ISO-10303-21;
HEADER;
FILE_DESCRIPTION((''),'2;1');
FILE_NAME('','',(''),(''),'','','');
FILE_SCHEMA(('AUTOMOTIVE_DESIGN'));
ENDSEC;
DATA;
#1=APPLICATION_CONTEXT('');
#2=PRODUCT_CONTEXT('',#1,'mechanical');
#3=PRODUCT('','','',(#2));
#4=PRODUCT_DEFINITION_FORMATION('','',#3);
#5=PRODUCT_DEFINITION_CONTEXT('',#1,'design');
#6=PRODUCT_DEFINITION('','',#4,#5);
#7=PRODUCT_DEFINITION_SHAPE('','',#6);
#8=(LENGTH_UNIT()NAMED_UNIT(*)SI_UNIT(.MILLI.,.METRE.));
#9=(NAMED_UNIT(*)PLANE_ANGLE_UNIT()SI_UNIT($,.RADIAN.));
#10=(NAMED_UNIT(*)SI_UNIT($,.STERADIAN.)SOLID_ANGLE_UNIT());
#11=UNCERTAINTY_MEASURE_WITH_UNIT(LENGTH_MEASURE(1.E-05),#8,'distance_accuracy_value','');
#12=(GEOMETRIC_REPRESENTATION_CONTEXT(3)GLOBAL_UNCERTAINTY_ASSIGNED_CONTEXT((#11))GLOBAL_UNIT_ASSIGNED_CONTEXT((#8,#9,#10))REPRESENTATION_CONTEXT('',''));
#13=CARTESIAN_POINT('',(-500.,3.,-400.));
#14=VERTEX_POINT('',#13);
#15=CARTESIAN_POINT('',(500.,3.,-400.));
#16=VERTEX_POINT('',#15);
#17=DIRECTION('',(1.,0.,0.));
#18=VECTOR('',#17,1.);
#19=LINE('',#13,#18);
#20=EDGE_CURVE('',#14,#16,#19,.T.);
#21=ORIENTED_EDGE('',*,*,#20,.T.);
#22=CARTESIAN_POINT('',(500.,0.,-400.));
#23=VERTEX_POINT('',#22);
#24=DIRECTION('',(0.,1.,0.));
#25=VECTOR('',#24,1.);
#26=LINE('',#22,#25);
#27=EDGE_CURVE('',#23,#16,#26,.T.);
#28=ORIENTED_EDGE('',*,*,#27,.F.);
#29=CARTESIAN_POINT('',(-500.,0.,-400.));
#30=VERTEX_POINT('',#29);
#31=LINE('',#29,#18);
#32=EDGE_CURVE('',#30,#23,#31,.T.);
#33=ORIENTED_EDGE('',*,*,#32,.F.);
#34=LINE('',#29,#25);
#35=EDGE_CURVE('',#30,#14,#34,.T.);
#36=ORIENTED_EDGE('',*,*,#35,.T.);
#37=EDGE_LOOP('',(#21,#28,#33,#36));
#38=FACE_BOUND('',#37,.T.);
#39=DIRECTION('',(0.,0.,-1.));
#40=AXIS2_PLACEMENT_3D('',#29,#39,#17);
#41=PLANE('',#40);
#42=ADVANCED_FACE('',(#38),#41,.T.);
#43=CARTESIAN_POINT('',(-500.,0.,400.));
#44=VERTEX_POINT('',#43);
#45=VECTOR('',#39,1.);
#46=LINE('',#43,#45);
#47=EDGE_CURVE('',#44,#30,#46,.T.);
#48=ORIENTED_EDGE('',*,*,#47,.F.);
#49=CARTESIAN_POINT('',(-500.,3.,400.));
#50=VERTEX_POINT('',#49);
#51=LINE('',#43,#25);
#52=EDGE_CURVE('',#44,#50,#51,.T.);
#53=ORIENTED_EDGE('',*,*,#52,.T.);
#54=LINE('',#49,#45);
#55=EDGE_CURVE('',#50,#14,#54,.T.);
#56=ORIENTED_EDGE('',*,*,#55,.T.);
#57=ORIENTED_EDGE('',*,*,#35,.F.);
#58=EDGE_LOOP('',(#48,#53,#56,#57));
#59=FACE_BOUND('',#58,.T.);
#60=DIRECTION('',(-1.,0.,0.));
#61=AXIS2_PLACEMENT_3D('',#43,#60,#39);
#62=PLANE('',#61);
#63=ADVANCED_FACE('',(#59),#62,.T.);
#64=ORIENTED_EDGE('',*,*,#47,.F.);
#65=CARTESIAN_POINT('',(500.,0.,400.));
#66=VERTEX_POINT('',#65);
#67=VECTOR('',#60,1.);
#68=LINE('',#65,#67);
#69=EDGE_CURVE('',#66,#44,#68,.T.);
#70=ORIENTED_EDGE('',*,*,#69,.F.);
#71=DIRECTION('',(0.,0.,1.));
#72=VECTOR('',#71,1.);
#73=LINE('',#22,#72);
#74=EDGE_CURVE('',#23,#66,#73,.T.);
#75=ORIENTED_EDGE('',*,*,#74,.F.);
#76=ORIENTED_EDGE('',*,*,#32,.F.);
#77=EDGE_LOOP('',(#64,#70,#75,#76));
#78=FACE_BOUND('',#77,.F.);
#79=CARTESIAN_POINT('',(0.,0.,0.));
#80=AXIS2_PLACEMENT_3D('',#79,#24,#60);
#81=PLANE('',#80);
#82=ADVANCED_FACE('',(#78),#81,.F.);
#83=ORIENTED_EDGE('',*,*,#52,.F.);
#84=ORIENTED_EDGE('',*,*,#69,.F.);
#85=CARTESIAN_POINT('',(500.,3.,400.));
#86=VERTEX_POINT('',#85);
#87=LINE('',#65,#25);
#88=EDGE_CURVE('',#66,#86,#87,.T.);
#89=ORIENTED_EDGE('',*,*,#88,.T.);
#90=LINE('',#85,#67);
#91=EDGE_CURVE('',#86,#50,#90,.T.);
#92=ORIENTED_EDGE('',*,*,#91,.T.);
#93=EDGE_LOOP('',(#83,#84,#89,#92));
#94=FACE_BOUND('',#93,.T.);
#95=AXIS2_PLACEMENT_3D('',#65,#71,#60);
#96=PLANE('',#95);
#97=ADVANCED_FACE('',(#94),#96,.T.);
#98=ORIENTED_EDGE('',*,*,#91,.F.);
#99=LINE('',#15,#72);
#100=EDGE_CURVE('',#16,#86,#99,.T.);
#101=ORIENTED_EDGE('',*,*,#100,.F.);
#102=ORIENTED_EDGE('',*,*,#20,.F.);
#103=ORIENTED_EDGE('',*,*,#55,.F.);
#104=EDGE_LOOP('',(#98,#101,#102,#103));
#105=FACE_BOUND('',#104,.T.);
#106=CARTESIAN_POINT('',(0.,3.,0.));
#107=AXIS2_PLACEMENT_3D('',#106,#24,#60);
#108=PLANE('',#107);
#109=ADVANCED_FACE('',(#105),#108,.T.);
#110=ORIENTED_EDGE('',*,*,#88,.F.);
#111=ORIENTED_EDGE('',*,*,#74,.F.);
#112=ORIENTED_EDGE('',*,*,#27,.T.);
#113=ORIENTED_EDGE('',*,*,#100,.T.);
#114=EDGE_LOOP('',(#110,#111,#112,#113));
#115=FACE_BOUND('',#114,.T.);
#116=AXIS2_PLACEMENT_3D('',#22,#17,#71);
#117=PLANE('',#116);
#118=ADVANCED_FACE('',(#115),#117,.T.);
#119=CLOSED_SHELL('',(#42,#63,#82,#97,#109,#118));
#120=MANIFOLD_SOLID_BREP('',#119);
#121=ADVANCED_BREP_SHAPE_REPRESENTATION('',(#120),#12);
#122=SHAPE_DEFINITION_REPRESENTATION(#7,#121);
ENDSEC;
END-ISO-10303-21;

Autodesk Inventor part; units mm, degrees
ref_plane "YZ Plane" through (0, 0, 0) normal (1, 0, 0) x (0, 1, 0)
ref_plane "XZ Plane" through (0, 0, 0) normal (0, 1, 0) x (-1, 0, 0)
ref_plane "XY Plane" through (0, 0, 0) normal (0, 0, 1) x (1, 0, 0)
sketch "Szkic1" plane through (0, 0, 0) normal (0, 1, 0) x (-1, 0, 0)
  line L0 (-500, 400) -> (500, 400)
  line L1 (500, 400) -> (500, -400)
  line L2 (500, -400) -> (-500, -400)
  line L3 (-500, -400) -> (-500, 400)
  line L4 (-500, 400) -> (500, -400) construction
  line L5 (500, 400) -> (-500, -400) construction
  point P0 (0, 0)
  dimension "d0" = 800
  dimension "d1" = 1000
extrude "Wyciągnięcie proste1" add sketch "Szkic1" along normal blind 3
properties part number "aluminiumBase" material "Aluminium 6061"
